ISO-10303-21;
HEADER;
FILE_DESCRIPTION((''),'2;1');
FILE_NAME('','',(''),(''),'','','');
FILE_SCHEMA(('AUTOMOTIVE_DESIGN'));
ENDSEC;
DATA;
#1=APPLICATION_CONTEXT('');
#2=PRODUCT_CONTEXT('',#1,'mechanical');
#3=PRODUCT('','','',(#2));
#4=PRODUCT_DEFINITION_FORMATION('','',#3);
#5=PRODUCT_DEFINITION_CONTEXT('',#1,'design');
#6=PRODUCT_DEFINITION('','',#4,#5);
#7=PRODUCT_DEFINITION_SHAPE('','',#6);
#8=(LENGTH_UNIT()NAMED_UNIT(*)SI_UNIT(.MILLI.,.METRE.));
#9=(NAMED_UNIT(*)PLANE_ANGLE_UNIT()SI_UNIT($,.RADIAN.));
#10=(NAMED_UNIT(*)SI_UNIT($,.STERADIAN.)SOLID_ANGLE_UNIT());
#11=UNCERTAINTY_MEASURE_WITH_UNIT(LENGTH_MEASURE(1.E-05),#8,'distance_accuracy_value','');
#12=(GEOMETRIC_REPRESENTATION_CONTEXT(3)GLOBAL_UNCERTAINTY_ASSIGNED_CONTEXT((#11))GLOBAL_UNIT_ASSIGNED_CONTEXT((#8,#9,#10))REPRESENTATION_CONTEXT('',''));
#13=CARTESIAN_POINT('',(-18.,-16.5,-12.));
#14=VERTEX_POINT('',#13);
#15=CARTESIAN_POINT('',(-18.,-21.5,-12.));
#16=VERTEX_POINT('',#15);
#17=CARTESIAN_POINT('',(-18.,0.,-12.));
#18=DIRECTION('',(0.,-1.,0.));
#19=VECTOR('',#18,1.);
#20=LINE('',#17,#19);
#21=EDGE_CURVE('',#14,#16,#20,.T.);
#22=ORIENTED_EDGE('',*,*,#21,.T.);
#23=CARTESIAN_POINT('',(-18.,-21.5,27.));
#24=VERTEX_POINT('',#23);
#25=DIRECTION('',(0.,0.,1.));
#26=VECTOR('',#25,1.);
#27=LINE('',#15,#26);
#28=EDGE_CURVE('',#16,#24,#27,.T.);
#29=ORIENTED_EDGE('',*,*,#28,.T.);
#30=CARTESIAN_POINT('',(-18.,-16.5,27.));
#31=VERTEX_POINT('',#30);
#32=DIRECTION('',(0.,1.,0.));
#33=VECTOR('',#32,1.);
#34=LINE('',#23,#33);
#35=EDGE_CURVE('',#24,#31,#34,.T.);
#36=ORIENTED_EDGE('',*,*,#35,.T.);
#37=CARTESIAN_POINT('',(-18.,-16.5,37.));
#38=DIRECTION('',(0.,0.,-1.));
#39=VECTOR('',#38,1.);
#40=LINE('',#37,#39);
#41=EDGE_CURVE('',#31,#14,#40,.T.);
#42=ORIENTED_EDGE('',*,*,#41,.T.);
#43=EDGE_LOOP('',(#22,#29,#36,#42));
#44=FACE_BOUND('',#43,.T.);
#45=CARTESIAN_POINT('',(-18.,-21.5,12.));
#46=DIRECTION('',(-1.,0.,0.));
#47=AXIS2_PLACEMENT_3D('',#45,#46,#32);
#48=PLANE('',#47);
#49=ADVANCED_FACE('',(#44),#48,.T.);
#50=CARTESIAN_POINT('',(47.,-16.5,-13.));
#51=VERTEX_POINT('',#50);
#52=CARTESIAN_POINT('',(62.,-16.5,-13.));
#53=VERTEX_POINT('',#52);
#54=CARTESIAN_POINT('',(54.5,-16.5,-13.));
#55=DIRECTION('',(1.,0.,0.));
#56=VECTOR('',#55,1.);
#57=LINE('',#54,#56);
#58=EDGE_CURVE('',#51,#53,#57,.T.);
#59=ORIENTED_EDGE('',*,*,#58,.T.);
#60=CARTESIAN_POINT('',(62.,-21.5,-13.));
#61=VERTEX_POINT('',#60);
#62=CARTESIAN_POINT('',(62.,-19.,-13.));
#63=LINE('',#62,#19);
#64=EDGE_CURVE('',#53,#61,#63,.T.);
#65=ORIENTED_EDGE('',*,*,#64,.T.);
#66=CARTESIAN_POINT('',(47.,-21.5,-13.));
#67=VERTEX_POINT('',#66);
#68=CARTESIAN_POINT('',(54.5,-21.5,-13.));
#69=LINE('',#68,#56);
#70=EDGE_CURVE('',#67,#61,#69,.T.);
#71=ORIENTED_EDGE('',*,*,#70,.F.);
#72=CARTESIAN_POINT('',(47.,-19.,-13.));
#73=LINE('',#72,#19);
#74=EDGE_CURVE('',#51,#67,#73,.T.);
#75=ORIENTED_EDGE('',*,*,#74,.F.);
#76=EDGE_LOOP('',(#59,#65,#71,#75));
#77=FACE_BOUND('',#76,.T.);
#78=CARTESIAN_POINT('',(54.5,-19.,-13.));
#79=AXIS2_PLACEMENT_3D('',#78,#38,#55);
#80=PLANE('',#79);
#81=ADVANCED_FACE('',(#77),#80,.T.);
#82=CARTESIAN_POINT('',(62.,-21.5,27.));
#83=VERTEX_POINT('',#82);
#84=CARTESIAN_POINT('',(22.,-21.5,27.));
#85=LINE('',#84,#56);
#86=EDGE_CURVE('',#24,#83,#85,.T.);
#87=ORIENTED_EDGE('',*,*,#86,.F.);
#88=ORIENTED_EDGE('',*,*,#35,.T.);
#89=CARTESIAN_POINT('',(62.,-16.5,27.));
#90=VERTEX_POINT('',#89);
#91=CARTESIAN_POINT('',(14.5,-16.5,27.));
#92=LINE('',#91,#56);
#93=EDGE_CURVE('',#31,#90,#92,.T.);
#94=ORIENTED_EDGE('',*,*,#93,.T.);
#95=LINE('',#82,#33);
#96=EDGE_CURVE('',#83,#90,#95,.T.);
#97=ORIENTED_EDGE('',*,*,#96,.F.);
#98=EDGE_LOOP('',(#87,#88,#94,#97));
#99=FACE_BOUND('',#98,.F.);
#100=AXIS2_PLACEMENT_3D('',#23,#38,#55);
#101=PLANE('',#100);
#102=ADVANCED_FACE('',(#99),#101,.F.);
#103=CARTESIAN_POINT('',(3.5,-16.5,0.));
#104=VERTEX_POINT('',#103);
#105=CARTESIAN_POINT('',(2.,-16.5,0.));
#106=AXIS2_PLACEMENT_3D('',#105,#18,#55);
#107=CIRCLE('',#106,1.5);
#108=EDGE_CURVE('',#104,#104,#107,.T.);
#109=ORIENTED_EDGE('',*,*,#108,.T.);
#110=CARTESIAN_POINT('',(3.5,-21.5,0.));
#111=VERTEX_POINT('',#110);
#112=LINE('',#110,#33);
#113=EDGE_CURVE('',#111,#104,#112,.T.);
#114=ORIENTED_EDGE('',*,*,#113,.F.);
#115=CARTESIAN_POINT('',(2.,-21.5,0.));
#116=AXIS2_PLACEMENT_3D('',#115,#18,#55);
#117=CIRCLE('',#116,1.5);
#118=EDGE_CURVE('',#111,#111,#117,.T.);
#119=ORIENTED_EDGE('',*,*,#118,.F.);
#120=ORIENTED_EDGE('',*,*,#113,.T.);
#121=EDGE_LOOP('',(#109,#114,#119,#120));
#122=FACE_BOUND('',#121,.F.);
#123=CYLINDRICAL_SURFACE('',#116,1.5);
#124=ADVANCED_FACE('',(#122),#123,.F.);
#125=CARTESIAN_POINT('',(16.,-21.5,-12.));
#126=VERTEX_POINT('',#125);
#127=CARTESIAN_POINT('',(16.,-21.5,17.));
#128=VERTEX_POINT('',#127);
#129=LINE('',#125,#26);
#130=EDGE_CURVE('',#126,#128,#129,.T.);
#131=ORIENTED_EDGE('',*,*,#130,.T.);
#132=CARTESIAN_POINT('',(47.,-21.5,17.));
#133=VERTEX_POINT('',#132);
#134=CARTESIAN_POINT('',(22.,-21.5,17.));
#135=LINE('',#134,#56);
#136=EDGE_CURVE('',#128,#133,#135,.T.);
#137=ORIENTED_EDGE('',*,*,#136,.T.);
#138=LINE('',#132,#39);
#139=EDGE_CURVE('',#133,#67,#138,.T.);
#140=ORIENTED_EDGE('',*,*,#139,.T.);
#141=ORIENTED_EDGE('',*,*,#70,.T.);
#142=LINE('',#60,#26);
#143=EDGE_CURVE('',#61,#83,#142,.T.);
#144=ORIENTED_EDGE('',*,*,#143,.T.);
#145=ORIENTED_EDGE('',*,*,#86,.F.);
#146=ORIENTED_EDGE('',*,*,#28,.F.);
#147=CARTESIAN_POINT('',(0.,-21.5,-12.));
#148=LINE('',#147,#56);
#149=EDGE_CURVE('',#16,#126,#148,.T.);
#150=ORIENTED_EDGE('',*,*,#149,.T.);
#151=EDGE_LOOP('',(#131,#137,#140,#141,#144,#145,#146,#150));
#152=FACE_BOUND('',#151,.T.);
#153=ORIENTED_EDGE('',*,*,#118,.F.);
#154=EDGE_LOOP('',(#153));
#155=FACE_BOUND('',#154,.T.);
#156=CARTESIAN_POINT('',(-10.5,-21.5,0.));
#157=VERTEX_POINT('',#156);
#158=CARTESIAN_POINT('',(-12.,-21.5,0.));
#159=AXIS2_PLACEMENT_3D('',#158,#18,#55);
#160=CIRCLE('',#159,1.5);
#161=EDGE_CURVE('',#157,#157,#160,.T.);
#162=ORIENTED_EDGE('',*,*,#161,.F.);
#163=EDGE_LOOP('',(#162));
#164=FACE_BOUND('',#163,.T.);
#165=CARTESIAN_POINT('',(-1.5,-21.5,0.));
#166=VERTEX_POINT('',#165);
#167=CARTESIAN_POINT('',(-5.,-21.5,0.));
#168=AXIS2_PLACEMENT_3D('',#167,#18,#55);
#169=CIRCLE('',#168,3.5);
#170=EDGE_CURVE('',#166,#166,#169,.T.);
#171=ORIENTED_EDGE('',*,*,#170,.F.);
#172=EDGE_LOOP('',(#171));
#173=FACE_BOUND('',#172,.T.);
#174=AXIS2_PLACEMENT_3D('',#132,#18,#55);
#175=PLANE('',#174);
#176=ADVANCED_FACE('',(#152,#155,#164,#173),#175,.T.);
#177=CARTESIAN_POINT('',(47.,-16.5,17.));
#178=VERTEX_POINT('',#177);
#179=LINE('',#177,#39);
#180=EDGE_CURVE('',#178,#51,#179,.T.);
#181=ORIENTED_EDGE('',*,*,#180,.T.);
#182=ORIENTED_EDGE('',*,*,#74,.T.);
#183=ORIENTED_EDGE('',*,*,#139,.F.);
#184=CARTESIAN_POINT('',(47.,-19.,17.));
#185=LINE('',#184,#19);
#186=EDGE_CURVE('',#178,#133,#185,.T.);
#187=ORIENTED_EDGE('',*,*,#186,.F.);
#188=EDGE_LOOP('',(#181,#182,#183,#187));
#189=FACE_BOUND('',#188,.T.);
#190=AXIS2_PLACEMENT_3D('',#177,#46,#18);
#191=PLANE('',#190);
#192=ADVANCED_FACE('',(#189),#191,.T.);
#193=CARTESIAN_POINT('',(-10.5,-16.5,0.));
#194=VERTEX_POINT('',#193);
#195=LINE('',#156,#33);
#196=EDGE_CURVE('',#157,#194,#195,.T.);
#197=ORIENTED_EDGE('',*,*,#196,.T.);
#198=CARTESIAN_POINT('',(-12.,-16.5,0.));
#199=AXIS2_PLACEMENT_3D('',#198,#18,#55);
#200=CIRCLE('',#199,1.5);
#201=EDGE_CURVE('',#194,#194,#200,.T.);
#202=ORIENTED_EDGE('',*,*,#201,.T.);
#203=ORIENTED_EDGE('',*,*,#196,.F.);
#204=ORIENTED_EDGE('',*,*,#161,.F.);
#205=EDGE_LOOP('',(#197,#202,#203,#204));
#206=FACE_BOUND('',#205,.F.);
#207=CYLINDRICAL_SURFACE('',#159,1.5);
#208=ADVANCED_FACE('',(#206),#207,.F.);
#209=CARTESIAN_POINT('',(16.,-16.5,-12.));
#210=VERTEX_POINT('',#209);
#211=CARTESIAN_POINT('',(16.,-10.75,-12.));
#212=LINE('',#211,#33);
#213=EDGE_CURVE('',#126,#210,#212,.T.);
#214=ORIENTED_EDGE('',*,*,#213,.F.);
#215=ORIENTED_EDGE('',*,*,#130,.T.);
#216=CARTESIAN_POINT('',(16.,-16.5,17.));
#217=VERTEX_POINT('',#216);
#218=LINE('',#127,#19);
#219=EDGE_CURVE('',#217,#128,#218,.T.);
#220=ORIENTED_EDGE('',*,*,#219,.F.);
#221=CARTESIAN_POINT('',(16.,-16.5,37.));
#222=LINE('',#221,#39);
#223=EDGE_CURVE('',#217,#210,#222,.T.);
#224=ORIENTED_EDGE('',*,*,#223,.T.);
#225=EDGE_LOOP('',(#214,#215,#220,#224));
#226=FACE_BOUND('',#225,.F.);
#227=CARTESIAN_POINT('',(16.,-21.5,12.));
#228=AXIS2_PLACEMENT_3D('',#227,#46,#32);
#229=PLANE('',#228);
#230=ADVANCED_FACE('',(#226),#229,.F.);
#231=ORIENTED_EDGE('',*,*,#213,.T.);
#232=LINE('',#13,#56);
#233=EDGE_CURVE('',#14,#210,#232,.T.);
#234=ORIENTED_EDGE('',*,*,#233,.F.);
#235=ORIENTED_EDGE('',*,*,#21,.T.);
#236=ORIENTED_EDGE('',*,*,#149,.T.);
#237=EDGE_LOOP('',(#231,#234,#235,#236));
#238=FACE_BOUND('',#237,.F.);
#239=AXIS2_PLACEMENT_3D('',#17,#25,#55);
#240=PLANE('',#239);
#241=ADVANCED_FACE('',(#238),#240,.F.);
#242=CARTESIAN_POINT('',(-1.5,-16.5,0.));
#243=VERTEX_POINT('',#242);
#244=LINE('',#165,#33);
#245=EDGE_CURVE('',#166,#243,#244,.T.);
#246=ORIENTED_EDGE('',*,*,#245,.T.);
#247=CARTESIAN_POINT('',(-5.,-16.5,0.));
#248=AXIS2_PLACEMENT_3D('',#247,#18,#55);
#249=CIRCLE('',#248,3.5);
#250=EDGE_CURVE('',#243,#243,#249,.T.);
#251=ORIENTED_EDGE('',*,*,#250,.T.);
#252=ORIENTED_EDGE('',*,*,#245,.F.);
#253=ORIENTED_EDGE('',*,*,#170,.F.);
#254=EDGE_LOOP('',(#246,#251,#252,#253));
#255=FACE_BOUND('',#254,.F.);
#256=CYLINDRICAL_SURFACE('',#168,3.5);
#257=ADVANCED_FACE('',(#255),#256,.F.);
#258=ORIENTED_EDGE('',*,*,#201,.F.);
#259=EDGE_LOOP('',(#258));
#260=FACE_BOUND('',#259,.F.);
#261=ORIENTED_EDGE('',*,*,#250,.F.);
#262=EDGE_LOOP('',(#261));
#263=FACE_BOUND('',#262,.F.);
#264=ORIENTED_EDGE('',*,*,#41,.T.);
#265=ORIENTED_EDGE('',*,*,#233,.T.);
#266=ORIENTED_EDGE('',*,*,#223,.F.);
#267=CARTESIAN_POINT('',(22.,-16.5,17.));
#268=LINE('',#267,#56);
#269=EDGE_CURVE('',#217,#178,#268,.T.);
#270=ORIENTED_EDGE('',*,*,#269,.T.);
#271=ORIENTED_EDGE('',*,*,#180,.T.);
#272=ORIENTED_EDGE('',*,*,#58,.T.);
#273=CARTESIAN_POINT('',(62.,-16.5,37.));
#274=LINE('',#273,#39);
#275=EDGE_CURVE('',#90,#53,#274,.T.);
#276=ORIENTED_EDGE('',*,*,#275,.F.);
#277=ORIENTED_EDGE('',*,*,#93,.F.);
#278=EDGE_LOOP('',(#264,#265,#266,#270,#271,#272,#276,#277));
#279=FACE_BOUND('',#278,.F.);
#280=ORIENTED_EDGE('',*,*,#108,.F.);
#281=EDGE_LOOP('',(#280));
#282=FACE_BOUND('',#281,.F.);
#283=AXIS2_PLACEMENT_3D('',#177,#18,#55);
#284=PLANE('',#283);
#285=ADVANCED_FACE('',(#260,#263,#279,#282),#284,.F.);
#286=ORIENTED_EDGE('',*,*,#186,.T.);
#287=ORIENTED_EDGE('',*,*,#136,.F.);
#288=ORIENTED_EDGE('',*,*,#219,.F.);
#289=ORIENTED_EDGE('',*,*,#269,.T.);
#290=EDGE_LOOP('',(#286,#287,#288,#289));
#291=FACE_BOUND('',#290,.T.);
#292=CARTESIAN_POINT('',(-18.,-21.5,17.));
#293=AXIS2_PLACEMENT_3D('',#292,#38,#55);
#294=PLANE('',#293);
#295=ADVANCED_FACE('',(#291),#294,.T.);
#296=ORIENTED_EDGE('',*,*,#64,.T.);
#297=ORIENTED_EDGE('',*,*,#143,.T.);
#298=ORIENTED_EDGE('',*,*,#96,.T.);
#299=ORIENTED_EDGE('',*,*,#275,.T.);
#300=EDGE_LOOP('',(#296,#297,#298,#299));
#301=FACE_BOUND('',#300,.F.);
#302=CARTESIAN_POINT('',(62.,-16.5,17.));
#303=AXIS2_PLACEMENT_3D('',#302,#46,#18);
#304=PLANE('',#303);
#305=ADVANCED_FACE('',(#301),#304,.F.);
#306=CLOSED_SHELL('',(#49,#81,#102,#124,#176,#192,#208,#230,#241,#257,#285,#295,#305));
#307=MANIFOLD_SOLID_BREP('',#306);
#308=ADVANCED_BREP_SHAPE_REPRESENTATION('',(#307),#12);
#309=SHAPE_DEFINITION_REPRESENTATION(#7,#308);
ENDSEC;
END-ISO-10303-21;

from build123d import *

# Parameters (mm, degrees)
F0_W      = 36
F0_H      = 24
F1_DEPTH  = 21.5
F3_DEPTH  = 4
F4_R      = 1.5
F5_DEPTH  = 6
F6_W      = 2
F6_H      = 22
F6_R      = 1.75
F7_DEPTH  = 26.001
F8_R      = 3.5
F9_DEPTH  = 15
F10_R     = 1.5
F11_DEPTH = 6
F12_R     = 1.5
F13_DEPTH = 6
F15_DEPTH = 24.001
F16_W     = 2
F16_H     = 5
F17_DEPTH = 25
F18_W     = 34
F18_H     = 5
F19_DEPTH = 25
F20_W     = 80
F20_H     = 20
F21_DEPTH = 5
F22_W     = 15
F22_H     = 5
F23_DEPTH = 30
F24_W     = 80
F24_H     = 10
F25_DEPTH = 5.001


with BuildPart() as f1:
    # F0 (on Front) → F1 (new body)
    with BuildSketch(Plane.XZ):
        Rectangle(F0_W, F0_H)
    extrude(amount=F1_DEPTH)

    # F2 (on face) → F3 (join)
    with BuildSketch(Plane(origin=(-18, 0, 0), x_dir=(0, -1, 0), z_dir=(-1, 0, 0))):
        Polygon((0, -4), (0, 4), (-4.5, 4), (-4.5, 1.127949), (-3.5, 0.86), (-2.3, 0.86), (-2.3, -0.86), (-3.5, -0.86), (-4.5, -1.127949), (-4.5, -4), align=None)
    extrude(amount=-F3_DEPTH)

    # F4 (on face) → F5 (cut)
    with BuildSketch(Plane.XZ.offset(21.5)):
        with Locations((-12, 0)):
            Circle(F4_R)
        with Locations((2, 0)):
            Circle(F4_R)
    extrude(amount=-F5_DEPTH, mode=Mode.SUBTRACT)

    # F6 (on face) → F7 (cut, through all)
    with BuildSketch(Plane.XZ.offset(21.5)):
        with Locations((17, 1)):
            Rectangle(F6_W, F6_H)
        with Locations((-5, 0)):
            Circle(F6_R)
    extrude(amount=-F7_DEPTH, mode=Mode.SUBTRACT)

    # F8 (on face) → F9 (cut)
    with BuildSketch(Plane.XZ.offset(21.5)):
        with Locations((-5, 0)):
            Circle(F8_R)
    extrude(amount=-F9_DEPTH, mode=Mode.SUBTRACT)

    # F10 (on face) → F11 (cut)
    with BuildSketch(Plane(origin=(0, 0, -12), x_dir=(1, 0, 0), z_dir=(0, 0, -1))):
        with Locations((12, 9.5)):
            Circle(F10_R)
    extrude(amount=-F11_DEPTH, mode=Mode.SUBTRACT)

    # F12 (on face) → F13 (cut)
    with BuildSketch(Plane(origin=(0, 0, 0), x_dir=(-1, 0, 0), z_dir=(0, 1, 0))):
        with Locations((-12, 0)):
            Circle(F12_R)
    extrude(amount=-F13_DEPTH, mode=Mode.SUBTRACT)

    # F14 (on face) → F15 (cut, through all)
    with BuildSketch(Plane.XY.offset(12)):
        Polygon((-18, 4.5), (-18, -16.5), (18, -16.5), (18, 0), (16, 0), (-14, 0), (-14, 4.5), align=None)
    extrude(amount=-F15_DEPTH, mode=Mode.SUBTRACT)

    # F16 (on face) → F17 (cut)
    with BuildSketch(Plane.XY.offset(-10)):
        with Locations((17, -19)):
            Rectangle(F16_W, F16_H)
    extrude(amount=-F17_DEPTH, mode=Mode.SUBTRACT)

    # F18 (on face) → F19 (join)
    with BuildSketch(Plane.XY.offset(12)):
        with Locations((-1, -19)):
            Rectangle(F18_W, F18_H)
    extrude(amount=F19_DEPTH)

    # F20 (on face) → F21 (join)
    with BuildSketch(Plane.XZ.offset(21.5)):
        with Locations((22, 27)):
            Rectangle(F20_W, F20_H)
    extrude(amount=-F21_DEPTH)

    # F22 (on face) → F23 (join)
    with BuildSketch(Plane(origin=(0, 0, 17), x_dir=(1, 0, 0), z_dir=(0, 0, -1))):
        with Locations((54.5, 19)):
            Rectangle(F22_W, F22_H)
    extrude(amount=F23_DEPTH)

    # F24 (on face) → F25 (cut, through all)
    with BuildSketch(Plane.XZ.offset(21.5)):
        with Locations((22, 32)):
            Rectangle(F24_W, F24_H)
    extrude(amount=-F25_DEPTH, mode=Mode.SUBTRACT)


solid = f1.part
